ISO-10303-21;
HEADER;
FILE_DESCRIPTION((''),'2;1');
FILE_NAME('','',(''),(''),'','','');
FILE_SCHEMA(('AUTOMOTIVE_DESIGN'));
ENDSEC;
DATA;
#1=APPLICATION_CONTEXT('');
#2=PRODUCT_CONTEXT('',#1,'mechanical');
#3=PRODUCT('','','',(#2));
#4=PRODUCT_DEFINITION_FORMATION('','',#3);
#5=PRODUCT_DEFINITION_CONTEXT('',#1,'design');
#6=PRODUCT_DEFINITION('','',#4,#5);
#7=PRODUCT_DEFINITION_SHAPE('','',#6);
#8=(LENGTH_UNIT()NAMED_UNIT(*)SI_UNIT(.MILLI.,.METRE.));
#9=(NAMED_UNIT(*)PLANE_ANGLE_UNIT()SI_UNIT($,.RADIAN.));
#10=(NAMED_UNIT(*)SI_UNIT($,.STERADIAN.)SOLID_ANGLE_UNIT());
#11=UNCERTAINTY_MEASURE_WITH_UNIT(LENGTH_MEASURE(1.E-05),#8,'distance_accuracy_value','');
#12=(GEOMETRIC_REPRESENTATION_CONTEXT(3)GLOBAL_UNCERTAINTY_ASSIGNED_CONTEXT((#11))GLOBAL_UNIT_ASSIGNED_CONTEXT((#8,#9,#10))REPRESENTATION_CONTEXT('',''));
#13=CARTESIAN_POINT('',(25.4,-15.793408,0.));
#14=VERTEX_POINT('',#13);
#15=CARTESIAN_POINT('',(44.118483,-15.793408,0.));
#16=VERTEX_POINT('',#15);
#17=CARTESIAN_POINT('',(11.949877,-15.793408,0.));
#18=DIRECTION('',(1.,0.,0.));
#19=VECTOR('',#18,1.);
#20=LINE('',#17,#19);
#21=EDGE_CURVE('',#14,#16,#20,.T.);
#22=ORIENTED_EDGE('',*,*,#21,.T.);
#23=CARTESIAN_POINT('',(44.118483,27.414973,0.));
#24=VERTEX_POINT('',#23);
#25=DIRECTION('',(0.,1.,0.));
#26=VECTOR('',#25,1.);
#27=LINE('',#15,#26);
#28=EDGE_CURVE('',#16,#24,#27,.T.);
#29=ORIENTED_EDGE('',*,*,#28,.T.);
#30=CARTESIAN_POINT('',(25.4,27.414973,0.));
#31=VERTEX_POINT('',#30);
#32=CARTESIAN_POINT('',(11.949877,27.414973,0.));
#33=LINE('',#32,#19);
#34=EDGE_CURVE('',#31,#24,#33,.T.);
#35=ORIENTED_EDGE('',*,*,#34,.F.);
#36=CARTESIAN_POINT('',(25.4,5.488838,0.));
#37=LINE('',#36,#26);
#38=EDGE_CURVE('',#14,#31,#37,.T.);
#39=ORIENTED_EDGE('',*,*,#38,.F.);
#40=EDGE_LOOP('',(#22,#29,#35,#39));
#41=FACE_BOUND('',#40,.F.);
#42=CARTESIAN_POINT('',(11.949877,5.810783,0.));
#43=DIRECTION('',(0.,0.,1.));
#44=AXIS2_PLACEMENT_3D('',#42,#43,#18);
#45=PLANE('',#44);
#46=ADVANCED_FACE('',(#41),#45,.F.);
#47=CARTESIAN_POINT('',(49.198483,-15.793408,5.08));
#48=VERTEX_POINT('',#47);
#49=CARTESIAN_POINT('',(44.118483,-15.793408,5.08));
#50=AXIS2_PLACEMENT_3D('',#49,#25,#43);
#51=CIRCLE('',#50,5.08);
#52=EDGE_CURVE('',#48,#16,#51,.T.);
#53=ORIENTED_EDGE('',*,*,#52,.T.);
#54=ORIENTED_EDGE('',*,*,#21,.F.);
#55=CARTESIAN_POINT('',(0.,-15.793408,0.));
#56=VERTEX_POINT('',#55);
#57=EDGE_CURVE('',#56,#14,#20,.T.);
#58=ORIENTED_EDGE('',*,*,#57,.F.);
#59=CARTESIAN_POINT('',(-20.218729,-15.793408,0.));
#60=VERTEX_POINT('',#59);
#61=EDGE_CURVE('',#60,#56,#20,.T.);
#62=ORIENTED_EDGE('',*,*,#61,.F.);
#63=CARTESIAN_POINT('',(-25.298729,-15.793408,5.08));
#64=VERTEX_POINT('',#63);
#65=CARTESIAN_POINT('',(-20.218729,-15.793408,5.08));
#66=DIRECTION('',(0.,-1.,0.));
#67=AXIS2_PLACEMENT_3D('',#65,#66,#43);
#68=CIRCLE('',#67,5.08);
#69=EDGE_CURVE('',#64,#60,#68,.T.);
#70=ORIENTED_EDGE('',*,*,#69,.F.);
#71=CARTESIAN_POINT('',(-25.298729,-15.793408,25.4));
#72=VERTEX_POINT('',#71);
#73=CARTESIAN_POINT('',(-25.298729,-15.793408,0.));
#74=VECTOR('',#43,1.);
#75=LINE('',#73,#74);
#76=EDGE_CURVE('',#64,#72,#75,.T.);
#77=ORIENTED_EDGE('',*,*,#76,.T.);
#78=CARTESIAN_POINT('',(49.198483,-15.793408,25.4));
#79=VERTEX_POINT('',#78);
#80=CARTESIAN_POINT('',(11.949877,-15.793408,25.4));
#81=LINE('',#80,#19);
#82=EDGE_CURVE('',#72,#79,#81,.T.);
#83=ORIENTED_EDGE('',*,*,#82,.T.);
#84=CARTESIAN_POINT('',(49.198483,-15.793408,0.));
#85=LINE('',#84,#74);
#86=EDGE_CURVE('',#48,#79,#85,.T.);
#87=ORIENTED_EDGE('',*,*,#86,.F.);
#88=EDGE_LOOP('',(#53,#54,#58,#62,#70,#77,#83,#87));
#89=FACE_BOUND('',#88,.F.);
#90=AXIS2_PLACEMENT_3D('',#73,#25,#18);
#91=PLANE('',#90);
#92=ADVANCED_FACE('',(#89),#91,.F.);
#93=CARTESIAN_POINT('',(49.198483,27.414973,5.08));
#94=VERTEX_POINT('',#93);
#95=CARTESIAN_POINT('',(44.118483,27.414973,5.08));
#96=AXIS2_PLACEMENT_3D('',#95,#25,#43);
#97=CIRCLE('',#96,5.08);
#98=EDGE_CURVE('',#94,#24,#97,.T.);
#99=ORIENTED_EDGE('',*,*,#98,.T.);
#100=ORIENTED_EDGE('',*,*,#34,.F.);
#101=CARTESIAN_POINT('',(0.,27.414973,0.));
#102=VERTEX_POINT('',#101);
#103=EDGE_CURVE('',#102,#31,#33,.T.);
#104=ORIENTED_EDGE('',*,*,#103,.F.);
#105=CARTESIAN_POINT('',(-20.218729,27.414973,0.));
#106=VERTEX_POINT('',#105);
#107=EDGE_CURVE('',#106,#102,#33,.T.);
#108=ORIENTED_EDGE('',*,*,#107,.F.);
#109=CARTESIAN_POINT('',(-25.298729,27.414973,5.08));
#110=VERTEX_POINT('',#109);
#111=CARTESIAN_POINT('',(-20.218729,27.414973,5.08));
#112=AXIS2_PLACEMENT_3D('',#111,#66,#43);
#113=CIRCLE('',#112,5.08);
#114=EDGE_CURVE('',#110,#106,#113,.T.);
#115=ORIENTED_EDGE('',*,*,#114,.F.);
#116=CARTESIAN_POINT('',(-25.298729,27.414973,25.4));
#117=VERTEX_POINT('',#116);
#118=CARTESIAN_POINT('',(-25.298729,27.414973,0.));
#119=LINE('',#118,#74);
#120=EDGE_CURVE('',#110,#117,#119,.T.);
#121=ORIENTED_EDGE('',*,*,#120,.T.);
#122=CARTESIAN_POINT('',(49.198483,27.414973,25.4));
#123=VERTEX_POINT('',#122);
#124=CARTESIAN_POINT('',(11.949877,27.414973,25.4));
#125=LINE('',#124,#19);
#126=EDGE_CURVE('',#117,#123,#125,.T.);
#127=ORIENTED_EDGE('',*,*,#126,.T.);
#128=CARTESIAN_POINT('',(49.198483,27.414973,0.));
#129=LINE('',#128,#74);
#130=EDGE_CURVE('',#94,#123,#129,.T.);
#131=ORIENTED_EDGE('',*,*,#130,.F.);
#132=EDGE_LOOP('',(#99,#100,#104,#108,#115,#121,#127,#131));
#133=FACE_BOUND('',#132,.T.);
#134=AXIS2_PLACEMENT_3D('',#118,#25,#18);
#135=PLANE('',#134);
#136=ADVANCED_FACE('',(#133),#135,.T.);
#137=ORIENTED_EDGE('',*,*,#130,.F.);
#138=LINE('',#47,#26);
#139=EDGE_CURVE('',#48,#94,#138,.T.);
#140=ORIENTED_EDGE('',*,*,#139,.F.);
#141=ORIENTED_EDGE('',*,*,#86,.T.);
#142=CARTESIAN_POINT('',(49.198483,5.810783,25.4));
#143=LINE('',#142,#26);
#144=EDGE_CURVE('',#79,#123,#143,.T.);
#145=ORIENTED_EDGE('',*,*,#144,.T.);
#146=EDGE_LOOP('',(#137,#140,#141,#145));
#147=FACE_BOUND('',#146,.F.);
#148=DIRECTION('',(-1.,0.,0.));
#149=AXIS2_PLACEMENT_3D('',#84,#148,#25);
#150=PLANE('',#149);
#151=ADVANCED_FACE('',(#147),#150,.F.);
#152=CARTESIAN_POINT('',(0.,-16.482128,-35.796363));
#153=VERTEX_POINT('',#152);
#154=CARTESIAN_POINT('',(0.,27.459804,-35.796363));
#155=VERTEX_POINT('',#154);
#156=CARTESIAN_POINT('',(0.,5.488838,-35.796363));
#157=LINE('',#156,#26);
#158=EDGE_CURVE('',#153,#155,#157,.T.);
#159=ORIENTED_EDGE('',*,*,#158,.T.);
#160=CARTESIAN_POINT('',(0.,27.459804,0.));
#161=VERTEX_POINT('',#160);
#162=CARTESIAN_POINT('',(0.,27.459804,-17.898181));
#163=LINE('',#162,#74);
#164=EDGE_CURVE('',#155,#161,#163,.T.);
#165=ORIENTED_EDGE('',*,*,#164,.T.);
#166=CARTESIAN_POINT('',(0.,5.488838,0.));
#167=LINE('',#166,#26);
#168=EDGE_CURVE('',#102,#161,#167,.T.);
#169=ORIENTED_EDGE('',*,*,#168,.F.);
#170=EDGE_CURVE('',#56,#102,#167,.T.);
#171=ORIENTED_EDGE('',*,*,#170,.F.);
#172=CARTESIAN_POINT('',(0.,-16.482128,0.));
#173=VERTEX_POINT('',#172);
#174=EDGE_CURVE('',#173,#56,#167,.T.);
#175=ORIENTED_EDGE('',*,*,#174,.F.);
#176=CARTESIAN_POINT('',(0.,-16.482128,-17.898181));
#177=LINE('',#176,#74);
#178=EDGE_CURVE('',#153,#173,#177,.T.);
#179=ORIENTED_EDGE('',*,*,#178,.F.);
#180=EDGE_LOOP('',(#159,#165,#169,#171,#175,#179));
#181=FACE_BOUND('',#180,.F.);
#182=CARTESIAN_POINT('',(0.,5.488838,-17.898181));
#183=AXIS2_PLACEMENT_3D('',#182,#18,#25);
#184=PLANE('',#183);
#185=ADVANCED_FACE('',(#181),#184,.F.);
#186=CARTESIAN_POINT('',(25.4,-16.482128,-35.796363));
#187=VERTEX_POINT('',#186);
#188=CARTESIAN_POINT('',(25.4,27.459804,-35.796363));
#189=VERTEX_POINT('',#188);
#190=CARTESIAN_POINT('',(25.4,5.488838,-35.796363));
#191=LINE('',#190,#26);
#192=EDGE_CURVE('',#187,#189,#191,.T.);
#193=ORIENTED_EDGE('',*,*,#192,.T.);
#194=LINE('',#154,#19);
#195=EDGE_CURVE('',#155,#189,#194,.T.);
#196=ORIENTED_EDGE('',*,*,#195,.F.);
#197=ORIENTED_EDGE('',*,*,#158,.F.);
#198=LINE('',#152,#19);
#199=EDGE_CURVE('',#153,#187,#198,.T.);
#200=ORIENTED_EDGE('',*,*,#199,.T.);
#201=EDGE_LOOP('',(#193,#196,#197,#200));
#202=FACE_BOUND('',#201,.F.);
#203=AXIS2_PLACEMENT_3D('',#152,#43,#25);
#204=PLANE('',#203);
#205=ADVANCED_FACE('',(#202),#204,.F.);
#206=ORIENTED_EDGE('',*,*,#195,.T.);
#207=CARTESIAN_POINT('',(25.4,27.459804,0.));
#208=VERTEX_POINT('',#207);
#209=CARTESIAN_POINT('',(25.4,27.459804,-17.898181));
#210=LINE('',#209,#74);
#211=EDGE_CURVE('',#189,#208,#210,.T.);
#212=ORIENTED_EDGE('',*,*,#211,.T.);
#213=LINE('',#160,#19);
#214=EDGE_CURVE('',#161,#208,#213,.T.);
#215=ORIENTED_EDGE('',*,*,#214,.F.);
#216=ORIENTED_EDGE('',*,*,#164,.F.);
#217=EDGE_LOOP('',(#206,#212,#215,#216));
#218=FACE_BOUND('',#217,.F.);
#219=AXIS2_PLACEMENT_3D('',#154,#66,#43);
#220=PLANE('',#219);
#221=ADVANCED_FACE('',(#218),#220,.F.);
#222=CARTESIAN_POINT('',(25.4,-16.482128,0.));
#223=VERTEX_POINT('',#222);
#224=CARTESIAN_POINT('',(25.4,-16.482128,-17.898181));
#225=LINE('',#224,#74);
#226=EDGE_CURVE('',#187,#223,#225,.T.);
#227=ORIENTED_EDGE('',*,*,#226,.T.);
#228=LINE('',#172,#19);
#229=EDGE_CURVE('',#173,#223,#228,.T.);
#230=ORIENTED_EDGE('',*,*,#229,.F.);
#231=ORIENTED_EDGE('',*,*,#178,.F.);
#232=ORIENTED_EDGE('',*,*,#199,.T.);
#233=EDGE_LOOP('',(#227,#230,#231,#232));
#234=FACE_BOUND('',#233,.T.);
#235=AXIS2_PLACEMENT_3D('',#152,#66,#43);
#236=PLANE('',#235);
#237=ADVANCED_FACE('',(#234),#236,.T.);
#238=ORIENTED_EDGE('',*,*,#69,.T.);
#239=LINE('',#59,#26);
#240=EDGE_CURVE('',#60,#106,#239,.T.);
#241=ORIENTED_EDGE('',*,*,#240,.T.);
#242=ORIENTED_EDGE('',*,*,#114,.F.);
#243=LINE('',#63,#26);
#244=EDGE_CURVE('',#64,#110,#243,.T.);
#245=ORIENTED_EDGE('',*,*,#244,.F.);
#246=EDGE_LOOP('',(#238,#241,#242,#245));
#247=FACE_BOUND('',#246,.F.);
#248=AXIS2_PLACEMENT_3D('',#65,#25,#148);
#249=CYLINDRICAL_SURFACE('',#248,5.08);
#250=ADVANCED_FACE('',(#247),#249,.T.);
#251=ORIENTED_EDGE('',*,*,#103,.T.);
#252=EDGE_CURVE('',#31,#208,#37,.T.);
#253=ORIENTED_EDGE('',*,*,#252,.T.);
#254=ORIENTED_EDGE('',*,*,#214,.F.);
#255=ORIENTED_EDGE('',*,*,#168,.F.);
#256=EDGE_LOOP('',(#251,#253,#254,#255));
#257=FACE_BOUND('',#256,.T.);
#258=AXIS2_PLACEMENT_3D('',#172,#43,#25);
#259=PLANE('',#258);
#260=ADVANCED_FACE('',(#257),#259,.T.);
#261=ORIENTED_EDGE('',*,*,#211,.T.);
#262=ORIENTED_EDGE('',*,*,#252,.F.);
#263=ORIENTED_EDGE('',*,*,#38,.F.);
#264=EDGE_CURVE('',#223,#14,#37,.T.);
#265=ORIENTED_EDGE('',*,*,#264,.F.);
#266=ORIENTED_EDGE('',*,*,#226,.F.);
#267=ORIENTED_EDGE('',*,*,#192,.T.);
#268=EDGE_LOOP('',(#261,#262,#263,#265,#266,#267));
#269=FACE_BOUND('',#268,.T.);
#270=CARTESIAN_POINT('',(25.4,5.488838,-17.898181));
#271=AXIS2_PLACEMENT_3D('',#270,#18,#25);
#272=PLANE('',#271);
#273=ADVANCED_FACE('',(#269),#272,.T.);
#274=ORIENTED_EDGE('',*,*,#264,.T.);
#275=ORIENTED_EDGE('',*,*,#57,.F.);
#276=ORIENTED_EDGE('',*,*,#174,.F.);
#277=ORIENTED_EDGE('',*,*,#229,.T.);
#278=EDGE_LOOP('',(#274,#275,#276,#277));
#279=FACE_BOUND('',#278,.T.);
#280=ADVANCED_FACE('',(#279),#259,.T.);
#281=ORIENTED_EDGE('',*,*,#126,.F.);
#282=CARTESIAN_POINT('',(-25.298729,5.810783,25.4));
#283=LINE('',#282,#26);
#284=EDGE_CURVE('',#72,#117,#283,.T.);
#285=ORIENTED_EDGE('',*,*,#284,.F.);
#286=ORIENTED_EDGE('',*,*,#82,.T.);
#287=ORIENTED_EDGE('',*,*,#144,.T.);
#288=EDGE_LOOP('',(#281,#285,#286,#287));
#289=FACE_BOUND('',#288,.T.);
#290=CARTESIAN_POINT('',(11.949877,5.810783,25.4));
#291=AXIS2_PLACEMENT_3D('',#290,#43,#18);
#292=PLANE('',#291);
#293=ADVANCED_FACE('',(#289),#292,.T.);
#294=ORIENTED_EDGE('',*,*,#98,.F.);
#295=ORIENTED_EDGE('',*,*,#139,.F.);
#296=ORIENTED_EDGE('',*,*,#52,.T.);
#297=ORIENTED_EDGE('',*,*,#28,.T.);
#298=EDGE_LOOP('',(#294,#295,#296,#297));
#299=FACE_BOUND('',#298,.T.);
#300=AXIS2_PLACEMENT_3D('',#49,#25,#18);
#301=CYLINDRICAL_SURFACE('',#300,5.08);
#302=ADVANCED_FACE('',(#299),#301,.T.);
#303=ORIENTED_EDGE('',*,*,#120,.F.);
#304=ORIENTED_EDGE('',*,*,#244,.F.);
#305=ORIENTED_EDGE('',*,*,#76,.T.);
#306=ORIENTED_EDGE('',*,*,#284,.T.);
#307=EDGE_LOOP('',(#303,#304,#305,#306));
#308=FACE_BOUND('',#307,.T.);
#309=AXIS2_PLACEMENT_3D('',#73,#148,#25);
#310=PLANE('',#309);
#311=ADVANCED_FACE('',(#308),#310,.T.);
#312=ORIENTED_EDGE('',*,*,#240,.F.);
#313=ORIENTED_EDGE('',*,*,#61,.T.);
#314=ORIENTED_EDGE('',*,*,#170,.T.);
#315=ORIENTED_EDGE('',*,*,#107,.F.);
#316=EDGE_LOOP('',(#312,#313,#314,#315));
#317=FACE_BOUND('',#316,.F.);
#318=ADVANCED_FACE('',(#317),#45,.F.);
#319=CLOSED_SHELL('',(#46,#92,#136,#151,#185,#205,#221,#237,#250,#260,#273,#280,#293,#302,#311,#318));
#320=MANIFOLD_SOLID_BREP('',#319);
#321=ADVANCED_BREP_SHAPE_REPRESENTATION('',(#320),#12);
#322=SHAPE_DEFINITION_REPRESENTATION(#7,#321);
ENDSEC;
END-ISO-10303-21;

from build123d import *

# Parameters (mm, degrees)
F1_W     = 43.941932
F1_H     = 35.796363
F2_DEPTH = 25.4
F0_W     = 74.497212
F0_H     = 43.208381
F3_DEPTH = 25.4
F4_R     = 5.08
F5_R     = 5.08


with BuildPart() as f2:
    # F1 (on Right) → F2 (new body)
    with BuildSketch(Plane.YZ):
        with Locations((5.488838, -17.898181)):
            Rectangle(F1_W, F1_H)
    extrude(amount=F2_DEPTH)

    # F0 (on Top) → F3 (join)
    with BuildSketch(Plane.XY):
        with Locations((11.949877, 5.810783)):
            Rectangle(F0_W, F0_H)
    extrude(amount=F3_DEPTH)

    # F4
    f4_edges = [f2.edges().sort_by_distance(p)[0] for p in [
        (49.198483, 5.810783, 0),
    ]]
    fillet(f4_edges, radius=F4_R)

    # F5
    f5_edges = [f2.edges().sort_by_distance(p)[0] for p in [
        (-25.298729, 5.810783, 0),
    ]]
    fillet(f5_edges, radius=F5_R)


solid = f2.part
